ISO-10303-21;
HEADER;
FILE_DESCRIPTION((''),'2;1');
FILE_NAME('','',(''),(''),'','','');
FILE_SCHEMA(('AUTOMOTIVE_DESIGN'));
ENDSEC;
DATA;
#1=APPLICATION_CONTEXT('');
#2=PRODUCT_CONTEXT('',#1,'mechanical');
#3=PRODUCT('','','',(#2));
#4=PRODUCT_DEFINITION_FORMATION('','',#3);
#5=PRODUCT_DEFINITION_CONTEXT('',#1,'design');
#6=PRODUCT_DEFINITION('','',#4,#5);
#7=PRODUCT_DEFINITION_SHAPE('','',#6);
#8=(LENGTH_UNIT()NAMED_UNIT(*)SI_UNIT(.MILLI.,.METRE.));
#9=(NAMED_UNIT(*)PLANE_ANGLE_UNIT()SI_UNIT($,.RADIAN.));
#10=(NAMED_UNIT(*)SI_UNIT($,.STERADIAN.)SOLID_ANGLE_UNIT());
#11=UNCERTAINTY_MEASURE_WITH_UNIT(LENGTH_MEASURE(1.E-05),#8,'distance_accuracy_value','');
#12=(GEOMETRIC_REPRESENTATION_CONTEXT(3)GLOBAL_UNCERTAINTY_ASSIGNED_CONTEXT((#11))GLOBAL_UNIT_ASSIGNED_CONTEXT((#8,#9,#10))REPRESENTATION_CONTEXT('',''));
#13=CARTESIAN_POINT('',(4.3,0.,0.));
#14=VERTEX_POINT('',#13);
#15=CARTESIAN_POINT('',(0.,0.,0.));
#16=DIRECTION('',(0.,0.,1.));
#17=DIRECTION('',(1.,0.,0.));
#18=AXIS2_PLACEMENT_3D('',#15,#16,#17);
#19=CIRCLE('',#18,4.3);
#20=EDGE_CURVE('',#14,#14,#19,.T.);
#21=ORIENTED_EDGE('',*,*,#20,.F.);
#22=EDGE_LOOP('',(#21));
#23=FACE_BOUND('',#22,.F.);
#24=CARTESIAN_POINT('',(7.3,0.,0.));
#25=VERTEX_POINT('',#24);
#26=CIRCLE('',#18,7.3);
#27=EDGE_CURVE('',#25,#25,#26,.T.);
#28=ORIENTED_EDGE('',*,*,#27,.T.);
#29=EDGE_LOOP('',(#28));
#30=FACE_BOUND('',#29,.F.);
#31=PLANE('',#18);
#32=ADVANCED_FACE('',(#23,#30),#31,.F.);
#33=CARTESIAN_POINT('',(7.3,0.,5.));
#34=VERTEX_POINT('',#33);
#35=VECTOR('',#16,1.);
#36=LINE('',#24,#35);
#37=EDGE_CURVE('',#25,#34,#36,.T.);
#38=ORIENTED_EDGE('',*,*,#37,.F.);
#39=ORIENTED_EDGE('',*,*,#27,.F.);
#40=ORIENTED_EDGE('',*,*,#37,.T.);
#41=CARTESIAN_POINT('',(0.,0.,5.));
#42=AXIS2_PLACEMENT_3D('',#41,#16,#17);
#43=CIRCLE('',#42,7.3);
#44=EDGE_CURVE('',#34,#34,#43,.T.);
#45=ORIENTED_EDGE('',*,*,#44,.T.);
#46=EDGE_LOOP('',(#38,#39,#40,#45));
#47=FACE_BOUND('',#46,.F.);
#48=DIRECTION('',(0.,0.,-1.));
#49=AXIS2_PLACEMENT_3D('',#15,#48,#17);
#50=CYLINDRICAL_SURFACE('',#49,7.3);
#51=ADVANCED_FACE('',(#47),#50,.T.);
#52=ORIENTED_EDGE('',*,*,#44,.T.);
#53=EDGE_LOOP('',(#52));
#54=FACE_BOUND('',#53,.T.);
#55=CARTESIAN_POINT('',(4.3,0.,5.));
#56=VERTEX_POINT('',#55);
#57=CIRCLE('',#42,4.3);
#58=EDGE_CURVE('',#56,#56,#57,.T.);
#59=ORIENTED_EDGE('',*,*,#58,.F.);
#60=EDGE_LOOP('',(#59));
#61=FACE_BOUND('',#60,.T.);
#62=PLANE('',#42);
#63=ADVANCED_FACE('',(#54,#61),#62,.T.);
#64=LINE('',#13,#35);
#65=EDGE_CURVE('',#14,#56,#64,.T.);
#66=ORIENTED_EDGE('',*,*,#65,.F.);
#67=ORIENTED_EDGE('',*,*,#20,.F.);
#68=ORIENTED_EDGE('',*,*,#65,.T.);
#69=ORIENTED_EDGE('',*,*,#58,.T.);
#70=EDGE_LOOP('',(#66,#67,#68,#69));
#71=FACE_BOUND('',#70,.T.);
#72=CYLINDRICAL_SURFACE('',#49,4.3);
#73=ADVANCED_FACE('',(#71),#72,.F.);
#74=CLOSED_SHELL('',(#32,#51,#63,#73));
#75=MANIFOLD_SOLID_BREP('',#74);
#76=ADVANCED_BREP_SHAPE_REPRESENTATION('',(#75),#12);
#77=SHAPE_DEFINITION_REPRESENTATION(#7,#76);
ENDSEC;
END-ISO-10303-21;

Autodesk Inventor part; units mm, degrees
ref_plane "YZ Plane" through (0, 0, 0) normal (1, 0, 0) x (0, 1, 0)
ref_plane "XZ Plane" through (0, 0, 0) normal (0, 1, 0) x (-1, 0, 0)
ref_plane "XY Plane" through (0, 0, 0) normal (0, 0, 1) x (1, 0, 0)
sketch "Sketch1" plane through (0, 0, 0) normal (0, 0, 1) x (1, 0, 0)
  circle A0 centre (0, 0) radius 4.3
  circle A1 centre (0, 0) radius 7.3
  dimension "d0" = 8.6
  dimension "d1" = 3
extrude "Extrusion1" add sketch "Sketch1" along normal blind 5
properties part number "guide_test"
